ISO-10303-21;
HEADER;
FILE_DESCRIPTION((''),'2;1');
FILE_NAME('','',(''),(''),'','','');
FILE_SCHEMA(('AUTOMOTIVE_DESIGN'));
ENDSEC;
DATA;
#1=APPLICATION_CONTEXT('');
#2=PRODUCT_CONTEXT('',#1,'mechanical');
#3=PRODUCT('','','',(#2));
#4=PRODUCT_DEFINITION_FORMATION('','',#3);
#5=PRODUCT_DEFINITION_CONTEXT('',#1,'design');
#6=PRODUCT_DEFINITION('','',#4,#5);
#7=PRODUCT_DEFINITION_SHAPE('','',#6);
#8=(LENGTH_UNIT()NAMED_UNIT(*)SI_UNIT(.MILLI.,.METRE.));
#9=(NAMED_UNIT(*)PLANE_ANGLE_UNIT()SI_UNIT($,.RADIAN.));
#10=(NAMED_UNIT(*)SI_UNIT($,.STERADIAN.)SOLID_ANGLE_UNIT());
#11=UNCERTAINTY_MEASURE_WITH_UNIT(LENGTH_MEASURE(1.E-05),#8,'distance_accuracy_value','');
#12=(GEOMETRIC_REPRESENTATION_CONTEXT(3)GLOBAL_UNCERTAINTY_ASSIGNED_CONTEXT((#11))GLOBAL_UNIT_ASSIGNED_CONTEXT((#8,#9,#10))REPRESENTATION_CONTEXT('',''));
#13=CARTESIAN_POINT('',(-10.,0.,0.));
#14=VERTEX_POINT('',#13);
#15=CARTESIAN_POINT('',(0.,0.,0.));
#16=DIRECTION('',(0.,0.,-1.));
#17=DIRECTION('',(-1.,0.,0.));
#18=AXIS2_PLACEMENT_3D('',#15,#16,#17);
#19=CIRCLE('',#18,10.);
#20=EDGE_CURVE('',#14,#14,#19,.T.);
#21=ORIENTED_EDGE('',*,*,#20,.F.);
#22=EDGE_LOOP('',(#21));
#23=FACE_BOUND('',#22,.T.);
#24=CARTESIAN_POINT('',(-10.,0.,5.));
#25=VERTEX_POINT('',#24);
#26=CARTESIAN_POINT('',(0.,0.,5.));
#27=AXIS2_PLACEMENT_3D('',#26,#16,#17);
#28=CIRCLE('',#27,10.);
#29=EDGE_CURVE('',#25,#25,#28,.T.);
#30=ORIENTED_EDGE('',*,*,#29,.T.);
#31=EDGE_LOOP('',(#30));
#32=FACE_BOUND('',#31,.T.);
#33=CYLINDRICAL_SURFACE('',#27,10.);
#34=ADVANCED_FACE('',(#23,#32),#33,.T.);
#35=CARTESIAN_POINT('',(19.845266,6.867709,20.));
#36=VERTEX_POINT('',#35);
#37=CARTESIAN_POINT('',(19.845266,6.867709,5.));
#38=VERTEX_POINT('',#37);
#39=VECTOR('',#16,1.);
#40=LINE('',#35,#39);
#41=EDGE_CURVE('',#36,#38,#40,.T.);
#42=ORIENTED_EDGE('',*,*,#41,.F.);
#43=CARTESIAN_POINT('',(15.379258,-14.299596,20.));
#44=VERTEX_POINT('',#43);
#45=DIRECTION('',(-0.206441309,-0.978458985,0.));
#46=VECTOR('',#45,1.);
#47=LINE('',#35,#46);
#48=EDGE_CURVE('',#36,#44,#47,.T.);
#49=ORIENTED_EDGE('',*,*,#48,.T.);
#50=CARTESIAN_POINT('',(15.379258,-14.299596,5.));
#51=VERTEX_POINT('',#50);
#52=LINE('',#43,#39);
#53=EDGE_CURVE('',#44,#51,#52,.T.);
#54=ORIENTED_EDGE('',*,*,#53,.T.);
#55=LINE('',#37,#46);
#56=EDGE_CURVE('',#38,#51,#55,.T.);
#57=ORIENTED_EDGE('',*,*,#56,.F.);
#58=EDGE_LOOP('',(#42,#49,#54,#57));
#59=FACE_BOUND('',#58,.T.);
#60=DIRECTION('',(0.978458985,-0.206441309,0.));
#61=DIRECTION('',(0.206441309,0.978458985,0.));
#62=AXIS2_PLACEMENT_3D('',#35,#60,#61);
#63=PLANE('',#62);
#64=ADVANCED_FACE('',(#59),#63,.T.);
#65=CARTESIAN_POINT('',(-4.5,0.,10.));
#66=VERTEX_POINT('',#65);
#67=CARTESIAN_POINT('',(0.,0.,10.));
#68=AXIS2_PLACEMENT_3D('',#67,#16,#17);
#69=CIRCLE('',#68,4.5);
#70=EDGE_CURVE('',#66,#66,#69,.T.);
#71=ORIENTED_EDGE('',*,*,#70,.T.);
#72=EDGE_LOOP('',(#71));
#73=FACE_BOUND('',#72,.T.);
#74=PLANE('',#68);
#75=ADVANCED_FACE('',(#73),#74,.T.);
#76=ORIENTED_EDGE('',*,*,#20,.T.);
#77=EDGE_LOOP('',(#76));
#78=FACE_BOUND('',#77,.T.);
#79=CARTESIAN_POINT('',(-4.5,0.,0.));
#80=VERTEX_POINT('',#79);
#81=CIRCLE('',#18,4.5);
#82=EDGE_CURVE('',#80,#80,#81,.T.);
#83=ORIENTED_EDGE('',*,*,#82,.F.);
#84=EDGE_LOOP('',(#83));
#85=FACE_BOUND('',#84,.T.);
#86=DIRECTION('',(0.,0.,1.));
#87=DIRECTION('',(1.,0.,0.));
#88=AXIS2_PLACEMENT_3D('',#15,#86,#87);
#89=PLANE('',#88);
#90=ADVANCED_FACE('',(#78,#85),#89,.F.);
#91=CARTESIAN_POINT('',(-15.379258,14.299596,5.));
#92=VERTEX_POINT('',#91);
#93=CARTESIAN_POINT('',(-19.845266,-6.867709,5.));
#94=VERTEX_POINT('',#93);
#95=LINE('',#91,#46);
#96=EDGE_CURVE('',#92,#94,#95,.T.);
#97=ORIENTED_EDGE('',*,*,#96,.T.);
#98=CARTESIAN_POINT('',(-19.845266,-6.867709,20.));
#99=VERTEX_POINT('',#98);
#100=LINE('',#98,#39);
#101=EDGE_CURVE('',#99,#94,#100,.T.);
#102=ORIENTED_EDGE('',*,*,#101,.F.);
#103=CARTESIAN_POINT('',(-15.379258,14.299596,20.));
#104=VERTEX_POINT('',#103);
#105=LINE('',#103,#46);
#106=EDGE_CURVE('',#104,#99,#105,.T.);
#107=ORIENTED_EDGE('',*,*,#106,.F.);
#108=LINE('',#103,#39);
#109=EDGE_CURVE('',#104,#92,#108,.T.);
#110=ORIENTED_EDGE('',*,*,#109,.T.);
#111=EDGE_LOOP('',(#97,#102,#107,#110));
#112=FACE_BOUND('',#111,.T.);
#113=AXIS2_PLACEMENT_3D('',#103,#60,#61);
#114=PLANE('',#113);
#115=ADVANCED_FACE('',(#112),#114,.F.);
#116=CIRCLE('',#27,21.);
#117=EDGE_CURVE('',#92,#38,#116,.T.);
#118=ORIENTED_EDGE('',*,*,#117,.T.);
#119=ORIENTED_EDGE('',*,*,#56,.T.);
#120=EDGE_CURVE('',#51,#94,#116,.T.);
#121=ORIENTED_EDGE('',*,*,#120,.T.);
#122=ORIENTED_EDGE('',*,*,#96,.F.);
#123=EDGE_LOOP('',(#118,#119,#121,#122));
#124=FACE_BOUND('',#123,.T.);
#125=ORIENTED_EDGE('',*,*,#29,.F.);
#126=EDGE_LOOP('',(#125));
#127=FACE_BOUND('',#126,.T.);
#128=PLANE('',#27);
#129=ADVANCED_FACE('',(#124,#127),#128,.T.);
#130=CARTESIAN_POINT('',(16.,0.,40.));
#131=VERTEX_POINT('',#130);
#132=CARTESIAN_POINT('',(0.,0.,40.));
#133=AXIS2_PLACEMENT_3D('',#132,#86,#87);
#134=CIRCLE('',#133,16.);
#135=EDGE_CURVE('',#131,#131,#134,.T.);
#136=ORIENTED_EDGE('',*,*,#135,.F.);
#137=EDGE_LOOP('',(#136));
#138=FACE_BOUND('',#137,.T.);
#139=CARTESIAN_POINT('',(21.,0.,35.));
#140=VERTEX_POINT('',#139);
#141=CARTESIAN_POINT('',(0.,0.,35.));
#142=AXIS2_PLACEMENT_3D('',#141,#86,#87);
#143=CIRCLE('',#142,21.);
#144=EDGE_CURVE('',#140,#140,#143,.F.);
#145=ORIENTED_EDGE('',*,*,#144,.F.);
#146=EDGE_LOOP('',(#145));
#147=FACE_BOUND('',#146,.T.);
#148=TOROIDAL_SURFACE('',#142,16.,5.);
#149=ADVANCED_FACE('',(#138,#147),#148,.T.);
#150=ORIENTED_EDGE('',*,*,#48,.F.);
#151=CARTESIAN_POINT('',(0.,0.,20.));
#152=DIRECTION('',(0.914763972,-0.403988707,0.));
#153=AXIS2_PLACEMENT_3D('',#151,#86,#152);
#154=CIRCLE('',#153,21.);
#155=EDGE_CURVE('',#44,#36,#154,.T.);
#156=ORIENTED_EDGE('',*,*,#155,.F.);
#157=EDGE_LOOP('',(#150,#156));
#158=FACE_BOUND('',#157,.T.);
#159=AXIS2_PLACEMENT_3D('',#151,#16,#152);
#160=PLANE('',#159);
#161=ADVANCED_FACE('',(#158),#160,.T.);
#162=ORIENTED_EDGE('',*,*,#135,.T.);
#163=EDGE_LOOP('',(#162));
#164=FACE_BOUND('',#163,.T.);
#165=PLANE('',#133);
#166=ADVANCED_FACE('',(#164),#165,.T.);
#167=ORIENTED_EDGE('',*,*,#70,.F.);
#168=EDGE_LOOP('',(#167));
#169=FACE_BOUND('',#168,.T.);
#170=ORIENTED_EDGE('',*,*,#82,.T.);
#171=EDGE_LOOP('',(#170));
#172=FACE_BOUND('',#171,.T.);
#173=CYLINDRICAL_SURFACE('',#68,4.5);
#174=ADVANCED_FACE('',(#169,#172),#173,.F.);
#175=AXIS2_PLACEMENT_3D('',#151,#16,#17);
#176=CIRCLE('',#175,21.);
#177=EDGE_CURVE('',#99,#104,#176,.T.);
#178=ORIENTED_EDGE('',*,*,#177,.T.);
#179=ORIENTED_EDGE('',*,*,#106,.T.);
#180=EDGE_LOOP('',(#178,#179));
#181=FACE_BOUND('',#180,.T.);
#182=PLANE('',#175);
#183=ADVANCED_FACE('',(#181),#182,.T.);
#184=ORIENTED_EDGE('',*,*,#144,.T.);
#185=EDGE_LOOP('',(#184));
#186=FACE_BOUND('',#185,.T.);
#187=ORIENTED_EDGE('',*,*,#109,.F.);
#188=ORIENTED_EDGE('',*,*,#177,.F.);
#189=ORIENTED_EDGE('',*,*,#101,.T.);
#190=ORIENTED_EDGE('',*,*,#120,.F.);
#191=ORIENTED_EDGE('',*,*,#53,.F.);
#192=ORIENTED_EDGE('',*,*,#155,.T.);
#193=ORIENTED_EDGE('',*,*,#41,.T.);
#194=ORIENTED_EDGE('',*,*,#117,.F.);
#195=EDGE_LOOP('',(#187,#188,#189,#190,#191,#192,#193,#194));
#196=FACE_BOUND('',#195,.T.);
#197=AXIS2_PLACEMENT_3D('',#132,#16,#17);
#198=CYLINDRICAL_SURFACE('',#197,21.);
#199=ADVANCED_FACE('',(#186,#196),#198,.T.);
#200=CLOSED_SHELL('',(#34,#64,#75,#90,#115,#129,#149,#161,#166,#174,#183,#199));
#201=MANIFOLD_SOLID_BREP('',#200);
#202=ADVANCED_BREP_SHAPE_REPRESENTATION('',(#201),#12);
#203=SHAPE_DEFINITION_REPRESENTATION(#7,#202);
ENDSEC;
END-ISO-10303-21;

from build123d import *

# Parameters (mm, degrees)
SKETCH1_R           = 21
BOSS_EXTRUDE1_DEPTH = 40
SKETCH2_R           = 21
SKETCH2_R_2         = 10
CUT_EXTRUDE1_DEPTH  = 5
CUT_EXTRUDE2_DEPTH  = 15
FILLET1_R           = 5
SKETCH3_R           = 4.5
CUT_EXTRUDE3_DEPTH  = 10


with BuildPart() as part:
    # Sketch1 → Boss-Extrude1 (new body)
    with BuildSketch(Plane.XY):
        Circle(SKETCH1_R)
    extrude(amount=BOSS_EXTRUDE1_DEPTH)

    # Sketch2 → Cut-Extrude1 (cut)
    with BuildSketch(Plane(origin=(0, 0, 0), x_dir=(-1, 0, 0), z_dir=(0, 0, -1))):
        Circle(SKETCH2_R)
        Circle(SKETCH2_R_2, mode=Mode.SUBTRACT)
    extrude(amount=-CUT_EXTRUDE1_DEPTH, mode=Mode.SUBTRACT)

    # Sketch4 → Cut-Extrude2 (cut)
    with BuildSketch(Plane(origin=(0, 0, 5), x_dir=(-1, 0, 0), z_dir=(0, 0, -1))):
        with BuildLine():
            Line((15.379257562, 14.299595688), (19.84526591, -6.867708567))
            ThreePointArc((19.84526591, -6.867708567), (20.547638692, 4.335267488), (15.379257562, 14.299595688))
        make_face()
    cut_extrude2 = extrude(amount=-CUT_EXTRUDE2_DEPTH, mode=Mode.SUBTRACT)

    # Mirror1: Cut-Extrude2 across plane
    add(cut_extrude2.mirror(Plane(origin=(0, 0, 0), x_dir=(0, 0, 1), z_dir=(-0.9784589853258884, 0.20644130893557386, 0))), mode=Mode.SUBTRACT)

    # Fillet1
    fillet1_edges = [part.edges().sort_by_distance(p)[0] for p in [
        (-21, 0, 40),
    ]]
    fillet(fillet1_edges, radius=FILLET1_R)

    # Sketch3 → Cut-Extrude3 (cut)
    with BuildSketch(Plane(origin=(0, 0, 0), x_dir=(-1, 0, 0), z_dir=(0, 0, -1))):
        Circle(SKETCH3_R)
    extrude(amount=-CUT_EXTRUDE3_DEPTH, mode=Mode.SUBTRACT)


solid = part.part
